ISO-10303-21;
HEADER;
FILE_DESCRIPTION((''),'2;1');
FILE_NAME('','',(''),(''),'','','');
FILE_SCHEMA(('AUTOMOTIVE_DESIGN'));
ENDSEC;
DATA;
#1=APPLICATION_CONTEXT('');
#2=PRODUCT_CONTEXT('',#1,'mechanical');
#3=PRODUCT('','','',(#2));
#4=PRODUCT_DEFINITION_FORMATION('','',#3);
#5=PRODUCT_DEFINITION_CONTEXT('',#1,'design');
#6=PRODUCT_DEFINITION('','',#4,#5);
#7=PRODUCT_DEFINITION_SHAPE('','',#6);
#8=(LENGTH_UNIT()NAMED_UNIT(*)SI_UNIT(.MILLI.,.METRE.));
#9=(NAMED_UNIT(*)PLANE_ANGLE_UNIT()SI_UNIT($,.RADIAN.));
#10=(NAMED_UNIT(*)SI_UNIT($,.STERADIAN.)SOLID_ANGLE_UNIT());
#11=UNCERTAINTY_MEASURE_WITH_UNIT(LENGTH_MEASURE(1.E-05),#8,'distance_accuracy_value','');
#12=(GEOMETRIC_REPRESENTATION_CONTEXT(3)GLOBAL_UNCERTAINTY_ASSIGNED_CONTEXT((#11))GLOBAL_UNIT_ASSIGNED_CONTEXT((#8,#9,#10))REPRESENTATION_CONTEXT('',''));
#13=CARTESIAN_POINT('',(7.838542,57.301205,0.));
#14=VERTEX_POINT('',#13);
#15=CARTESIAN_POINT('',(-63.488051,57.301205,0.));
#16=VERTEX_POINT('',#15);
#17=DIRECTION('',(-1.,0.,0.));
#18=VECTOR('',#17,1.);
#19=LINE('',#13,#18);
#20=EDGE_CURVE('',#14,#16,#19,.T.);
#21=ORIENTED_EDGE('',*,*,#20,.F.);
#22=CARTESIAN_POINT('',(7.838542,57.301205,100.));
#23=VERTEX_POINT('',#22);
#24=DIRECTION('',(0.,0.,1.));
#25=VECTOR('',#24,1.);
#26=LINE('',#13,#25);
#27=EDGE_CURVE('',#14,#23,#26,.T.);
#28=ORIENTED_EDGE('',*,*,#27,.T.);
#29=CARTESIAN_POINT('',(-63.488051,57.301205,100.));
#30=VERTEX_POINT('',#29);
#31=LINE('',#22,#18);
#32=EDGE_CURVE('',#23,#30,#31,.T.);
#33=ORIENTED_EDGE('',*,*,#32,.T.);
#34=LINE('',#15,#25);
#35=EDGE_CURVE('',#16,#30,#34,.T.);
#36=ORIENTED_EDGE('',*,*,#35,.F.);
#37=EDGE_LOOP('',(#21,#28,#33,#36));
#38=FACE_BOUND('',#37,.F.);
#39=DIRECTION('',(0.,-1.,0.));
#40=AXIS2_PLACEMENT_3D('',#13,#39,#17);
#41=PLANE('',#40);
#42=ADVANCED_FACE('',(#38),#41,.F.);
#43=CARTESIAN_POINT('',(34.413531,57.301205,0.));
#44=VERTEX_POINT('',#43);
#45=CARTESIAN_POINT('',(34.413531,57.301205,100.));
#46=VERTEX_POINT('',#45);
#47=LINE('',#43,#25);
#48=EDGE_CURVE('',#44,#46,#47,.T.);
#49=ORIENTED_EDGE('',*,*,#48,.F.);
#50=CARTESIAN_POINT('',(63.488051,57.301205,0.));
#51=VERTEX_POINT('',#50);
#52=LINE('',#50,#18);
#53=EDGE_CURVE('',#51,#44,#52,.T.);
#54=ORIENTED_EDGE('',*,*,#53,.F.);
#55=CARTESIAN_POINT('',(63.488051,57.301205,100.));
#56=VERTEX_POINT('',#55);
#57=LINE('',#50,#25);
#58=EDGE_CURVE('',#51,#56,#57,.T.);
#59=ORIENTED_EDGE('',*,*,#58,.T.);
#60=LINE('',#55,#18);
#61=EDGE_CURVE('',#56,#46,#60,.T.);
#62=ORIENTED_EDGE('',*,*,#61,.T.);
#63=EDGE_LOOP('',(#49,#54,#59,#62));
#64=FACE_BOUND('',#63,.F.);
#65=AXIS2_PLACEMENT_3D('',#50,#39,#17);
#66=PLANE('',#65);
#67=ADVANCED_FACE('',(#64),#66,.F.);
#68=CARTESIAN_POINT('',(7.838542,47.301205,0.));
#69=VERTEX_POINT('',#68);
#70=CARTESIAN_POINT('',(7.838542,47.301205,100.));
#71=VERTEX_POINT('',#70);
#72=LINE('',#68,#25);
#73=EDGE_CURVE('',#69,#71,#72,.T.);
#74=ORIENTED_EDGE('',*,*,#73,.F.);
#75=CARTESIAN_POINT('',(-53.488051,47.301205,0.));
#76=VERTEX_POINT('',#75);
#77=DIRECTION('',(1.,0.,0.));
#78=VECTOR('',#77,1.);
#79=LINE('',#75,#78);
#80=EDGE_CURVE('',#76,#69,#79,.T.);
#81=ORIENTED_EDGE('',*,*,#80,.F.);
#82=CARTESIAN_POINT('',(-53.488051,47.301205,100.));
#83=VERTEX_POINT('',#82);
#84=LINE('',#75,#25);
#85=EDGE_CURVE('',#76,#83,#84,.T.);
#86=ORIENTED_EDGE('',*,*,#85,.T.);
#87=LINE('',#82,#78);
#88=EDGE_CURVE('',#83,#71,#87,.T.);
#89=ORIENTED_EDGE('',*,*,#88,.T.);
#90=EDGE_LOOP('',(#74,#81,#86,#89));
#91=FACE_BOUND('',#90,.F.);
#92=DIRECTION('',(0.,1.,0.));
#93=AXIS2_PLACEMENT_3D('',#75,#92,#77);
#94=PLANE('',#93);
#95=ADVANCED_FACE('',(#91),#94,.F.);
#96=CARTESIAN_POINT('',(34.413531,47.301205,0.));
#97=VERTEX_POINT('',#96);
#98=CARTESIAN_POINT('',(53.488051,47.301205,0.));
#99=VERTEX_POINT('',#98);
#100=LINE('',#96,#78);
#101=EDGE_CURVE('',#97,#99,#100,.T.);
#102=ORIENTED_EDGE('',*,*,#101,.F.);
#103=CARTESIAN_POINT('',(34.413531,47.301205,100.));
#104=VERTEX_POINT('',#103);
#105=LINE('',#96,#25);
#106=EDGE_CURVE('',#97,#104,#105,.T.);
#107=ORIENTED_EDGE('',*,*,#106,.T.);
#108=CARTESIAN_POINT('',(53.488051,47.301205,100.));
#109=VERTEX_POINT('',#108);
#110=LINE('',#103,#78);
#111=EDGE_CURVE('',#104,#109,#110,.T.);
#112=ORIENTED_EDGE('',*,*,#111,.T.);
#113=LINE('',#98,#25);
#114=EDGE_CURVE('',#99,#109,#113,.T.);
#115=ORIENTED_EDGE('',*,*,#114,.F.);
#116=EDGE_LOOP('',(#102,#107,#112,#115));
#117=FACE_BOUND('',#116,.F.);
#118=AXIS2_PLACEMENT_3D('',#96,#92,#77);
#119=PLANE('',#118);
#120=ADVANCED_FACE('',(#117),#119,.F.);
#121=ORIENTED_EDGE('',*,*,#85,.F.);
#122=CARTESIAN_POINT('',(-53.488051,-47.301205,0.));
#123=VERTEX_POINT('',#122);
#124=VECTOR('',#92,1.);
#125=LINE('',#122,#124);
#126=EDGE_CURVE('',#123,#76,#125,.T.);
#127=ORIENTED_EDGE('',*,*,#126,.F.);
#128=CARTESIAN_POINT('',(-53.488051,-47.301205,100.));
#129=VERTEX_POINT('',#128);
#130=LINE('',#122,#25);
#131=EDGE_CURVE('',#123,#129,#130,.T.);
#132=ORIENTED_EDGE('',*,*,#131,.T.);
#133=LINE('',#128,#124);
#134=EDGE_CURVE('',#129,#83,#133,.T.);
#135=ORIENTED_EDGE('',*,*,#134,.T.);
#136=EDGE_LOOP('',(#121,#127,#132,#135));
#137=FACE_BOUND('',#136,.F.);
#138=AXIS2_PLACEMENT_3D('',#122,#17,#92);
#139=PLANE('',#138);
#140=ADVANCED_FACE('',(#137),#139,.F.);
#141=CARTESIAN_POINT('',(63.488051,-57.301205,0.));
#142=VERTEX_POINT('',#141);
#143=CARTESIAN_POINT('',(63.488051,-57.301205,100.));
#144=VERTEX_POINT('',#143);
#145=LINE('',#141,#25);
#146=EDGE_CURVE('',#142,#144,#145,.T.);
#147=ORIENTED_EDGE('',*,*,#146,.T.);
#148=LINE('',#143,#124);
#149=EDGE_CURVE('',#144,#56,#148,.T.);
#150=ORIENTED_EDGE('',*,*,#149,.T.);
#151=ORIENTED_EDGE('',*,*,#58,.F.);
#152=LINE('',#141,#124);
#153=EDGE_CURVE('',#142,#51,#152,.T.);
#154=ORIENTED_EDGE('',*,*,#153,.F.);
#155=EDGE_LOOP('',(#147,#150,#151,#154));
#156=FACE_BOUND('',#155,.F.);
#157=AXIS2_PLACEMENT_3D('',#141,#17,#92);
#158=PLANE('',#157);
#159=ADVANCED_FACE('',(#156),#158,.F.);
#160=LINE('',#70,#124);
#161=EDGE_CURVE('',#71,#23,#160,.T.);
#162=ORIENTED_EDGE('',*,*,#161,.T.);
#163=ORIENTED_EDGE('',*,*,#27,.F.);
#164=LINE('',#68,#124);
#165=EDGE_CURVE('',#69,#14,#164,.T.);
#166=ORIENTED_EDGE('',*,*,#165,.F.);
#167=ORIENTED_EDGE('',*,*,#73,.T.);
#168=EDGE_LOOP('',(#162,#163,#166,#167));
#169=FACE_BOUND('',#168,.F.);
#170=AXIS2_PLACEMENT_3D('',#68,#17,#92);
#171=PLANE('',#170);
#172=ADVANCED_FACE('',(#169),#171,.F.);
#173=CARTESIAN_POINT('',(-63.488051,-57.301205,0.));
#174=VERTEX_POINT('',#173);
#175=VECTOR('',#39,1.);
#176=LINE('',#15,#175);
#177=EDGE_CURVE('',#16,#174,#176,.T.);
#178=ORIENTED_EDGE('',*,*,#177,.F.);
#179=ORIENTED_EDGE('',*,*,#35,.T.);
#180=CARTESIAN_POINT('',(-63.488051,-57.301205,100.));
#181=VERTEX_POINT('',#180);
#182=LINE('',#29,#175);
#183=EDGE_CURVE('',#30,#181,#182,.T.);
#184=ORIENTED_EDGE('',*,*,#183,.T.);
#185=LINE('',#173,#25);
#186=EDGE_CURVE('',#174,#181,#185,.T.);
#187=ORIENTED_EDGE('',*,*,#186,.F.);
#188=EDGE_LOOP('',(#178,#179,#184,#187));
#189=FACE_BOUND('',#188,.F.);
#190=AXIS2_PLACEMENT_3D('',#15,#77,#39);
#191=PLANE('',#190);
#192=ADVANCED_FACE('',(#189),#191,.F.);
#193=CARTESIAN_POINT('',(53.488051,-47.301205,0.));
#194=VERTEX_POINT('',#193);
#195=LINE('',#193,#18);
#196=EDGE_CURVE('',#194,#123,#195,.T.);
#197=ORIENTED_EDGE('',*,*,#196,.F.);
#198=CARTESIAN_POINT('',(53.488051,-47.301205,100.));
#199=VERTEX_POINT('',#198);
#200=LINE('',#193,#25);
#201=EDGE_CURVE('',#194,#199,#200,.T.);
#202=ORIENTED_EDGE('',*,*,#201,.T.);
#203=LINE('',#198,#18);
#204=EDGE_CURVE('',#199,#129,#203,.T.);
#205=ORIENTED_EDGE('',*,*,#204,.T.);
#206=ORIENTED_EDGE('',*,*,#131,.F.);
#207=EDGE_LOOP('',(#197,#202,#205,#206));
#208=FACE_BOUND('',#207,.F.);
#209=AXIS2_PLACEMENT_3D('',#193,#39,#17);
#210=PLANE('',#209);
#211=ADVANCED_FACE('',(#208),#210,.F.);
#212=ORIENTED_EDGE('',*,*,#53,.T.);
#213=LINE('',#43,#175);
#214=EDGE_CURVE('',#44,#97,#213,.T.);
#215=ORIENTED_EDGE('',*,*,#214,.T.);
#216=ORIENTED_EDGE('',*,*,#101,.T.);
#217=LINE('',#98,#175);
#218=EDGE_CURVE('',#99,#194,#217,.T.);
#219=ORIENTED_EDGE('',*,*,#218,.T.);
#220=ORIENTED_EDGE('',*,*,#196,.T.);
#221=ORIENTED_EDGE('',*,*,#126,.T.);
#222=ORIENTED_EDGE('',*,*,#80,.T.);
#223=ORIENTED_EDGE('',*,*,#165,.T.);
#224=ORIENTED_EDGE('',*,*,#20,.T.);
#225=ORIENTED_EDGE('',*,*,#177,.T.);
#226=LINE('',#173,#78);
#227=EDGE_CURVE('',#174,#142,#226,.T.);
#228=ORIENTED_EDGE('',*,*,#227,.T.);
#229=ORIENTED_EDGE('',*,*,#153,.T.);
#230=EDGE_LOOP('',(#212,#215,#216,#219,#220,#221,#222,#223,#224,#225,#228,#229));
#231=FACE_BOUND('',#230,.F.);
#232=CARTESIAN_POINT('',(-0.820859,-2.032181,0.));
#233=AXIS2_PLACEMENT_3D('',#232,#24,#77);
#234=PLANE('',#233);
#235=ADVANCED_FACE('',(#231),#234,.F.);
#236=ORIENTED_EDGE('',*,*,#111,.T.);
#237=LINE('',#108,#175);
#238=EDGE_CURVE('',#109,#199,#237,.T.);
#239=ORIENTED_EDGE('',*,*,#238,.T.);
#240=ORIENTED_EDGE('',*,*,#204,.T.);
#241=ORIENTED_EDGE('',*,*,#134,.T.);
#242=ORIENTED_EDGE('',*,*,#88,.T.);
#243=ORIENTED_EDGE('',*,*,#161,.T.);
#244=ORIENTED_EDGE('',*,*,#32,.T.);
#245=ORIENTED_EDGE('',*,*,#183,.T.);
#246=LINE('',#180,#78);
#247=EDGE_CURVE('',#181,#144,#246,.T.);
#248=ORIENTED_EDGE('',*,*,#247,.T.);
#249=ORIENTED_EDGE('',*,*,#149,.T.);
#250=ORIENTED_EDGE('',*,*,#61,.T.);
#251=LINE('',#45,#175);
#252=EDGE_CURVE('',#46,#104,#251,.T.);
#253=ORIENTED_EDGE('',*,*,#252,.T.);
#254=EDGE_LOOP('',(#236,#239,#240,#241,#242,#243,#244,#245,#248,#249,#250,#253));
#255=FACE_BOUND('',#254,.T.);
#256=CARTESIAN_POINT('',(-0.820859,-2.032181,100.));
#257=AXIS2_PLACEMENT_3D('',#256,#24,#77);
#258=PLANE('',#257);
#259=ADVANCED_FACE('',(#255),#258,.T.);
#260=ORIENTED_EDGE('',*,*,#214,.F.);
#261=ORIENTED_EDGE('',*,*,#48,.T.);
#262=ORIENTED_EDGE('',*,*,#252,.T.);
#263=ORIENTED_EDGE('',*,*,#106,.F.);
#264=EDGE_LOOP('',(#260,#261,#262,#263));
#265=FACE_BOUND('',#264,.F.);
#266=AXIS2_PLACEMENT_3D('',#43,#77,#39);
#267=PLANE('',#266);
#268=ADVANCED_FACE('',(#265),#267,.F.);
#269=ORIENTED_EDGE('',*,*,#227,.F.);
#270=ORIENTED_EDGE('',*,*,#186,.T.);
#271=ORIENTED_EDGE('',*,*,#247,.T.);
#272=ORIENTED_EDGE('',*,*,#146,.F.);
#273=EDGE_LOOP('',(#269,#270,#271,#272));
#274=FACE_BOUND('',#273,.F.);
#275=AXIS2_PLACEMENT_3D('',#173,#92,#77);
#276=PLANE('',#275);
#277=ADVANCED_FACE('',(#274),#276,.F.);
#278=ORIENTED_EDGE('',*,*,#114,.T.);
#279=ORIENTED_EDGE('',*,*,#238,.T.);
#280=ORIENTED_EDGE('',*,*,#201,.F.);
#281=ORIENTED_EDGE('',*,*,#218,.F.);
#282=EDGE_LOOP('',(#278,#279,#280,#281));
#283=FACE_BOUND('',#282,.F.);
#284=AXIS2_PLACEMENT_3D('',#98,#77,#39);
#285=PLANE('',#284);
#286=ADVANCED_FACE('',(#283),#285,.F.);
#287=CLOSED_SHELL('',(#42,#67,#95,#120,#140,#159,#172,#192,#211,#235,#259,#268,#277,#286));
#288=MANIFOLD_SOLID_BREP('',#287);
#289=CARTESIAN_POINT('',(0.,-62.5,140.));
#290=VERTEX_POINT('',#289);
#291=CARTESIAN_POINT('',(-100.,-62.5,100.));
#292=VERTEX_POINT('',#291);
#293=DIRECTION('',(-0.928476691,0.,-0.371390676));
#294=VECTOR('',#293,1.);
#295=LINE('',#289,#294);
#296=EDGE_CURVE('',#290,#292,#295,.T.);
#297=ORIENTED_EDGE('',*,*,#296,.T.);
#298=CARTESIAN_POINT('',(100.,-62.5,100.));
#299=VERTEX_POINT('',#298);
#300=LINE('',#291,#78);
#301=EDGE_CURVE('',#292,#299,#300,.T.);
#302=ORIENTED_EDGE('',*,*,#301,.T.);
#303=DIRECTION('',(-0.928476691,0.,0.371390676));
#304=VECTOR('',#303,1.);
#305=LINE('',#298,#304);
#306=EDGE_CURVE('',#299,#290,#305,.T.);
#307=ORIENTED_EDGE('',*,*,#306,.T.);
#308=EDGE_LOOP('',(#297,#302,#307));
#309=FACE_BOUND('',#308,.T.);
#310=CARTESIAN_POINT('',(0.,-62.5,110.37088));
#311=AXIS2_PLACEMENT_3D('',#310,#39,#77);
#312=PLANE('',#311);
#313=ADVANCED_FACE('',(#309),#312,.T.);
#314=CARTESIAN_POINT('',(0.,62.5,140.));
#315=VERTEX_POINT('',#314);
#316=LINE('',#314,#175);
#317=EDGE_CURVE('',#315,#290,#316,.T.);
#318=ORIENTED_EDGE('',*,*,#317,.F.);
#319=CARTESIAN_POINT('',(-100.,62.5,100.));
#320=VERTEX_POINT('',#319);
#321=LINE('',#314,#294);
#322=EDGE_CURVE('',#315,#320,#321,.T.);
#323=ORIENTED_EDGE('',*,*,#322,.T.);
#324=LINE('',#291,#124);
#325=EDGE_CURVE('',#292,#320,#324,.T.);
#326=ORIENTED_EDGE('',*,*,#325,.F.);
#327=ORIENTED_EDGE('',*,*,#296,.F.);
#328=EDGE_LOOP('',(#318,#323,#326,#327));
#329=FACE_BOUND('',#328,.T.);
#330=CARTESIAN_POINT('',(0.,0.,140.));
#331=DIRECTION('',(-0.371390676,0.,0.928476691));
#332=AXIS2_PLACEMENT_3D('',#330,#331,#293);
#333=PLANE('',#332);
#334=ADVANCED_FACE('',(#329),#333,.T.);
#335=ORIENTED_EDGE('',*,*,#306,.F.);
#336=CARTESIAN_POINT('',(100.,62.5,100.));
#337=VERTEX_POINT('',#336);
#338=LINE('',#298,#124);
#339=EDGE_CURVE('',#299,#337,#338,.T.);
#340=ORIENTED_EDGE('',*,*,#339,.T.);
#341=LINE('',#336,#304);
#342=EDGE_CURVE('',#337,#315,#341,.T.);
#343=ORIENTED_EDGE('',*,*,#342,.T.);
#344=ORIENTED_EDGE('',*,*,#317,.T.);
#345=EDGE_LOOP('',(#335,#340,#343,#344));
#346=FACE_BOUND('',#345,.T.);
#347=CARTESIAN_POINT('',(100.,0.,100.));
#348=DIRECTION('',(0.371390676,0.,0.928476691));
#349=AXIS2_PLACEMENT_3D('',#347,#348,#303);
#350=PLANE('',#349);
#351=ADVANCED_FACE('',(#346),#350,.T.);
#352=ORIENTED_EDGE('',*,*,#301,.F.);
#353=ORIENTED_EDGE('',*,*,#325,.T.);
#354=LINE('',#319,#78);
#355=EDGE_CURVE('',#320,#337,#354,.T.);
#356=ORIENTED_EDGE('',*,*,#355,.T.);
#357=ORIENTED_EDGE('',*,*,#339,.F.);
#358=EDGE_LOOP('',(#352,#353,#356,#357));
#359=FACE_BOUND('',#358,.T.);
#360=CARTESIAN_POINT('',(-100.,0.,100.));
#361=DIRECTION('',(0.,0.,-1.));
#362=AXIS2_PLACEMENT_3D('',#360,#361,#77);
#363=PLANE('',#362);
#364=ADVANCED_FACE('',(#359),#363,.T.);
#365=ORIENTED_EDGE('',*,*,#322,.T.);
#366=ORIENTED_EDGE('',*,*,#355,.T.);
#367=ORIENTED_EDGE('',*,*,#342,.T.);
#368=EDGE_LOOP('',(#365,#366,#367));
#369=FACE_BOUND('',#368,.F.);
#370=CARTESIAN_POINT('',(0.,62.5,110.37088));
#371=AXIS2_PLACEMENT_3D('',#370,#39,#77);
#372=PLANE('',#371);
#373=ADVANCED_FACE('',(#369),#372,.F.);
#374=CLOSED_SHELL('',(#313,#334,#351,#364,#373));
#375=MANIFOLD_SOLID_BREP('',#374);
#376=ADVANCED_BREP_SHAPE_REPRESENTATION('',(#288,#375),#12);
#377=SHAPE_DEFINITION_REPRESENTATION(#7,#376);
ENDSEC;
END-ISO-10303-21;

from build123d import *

# Parameters (mm, degrees)
F1_DEPTH = 100
F3_DEPTH = 62.5


with BuildPart() as f1:
    # F0 (on Top) → F1 (new body)
    with BuildSketch(Plane.XY):
        Polygon((53.488051, 47.301205), (53.488051, -47.301205), (-53.488051, -47.301205), (-53.488051, 47.301205), (7.838542, 47.301205), (7.838542, 57.301205), (-63.488051, 57.301205), (-63.488051, -57.301205), (63.488051, -57.301205), (63.488051, 57.301205), (34.413531, 57.301205), (34.413531, 47.301205), align=None)
    extrude(amount=F1_DEPTH)


with BuildPart() as f3:
    # F2 (on Front) → F3 (new body, symmetric)
    with BuildSketch(Plane.XZ):
        Polygon((100, 100), (0, 140), (-100, 100), align=None)
    extrude(amount=F3_DEPTH, both=True)


solid = Compound([f1.part, f3.part])
